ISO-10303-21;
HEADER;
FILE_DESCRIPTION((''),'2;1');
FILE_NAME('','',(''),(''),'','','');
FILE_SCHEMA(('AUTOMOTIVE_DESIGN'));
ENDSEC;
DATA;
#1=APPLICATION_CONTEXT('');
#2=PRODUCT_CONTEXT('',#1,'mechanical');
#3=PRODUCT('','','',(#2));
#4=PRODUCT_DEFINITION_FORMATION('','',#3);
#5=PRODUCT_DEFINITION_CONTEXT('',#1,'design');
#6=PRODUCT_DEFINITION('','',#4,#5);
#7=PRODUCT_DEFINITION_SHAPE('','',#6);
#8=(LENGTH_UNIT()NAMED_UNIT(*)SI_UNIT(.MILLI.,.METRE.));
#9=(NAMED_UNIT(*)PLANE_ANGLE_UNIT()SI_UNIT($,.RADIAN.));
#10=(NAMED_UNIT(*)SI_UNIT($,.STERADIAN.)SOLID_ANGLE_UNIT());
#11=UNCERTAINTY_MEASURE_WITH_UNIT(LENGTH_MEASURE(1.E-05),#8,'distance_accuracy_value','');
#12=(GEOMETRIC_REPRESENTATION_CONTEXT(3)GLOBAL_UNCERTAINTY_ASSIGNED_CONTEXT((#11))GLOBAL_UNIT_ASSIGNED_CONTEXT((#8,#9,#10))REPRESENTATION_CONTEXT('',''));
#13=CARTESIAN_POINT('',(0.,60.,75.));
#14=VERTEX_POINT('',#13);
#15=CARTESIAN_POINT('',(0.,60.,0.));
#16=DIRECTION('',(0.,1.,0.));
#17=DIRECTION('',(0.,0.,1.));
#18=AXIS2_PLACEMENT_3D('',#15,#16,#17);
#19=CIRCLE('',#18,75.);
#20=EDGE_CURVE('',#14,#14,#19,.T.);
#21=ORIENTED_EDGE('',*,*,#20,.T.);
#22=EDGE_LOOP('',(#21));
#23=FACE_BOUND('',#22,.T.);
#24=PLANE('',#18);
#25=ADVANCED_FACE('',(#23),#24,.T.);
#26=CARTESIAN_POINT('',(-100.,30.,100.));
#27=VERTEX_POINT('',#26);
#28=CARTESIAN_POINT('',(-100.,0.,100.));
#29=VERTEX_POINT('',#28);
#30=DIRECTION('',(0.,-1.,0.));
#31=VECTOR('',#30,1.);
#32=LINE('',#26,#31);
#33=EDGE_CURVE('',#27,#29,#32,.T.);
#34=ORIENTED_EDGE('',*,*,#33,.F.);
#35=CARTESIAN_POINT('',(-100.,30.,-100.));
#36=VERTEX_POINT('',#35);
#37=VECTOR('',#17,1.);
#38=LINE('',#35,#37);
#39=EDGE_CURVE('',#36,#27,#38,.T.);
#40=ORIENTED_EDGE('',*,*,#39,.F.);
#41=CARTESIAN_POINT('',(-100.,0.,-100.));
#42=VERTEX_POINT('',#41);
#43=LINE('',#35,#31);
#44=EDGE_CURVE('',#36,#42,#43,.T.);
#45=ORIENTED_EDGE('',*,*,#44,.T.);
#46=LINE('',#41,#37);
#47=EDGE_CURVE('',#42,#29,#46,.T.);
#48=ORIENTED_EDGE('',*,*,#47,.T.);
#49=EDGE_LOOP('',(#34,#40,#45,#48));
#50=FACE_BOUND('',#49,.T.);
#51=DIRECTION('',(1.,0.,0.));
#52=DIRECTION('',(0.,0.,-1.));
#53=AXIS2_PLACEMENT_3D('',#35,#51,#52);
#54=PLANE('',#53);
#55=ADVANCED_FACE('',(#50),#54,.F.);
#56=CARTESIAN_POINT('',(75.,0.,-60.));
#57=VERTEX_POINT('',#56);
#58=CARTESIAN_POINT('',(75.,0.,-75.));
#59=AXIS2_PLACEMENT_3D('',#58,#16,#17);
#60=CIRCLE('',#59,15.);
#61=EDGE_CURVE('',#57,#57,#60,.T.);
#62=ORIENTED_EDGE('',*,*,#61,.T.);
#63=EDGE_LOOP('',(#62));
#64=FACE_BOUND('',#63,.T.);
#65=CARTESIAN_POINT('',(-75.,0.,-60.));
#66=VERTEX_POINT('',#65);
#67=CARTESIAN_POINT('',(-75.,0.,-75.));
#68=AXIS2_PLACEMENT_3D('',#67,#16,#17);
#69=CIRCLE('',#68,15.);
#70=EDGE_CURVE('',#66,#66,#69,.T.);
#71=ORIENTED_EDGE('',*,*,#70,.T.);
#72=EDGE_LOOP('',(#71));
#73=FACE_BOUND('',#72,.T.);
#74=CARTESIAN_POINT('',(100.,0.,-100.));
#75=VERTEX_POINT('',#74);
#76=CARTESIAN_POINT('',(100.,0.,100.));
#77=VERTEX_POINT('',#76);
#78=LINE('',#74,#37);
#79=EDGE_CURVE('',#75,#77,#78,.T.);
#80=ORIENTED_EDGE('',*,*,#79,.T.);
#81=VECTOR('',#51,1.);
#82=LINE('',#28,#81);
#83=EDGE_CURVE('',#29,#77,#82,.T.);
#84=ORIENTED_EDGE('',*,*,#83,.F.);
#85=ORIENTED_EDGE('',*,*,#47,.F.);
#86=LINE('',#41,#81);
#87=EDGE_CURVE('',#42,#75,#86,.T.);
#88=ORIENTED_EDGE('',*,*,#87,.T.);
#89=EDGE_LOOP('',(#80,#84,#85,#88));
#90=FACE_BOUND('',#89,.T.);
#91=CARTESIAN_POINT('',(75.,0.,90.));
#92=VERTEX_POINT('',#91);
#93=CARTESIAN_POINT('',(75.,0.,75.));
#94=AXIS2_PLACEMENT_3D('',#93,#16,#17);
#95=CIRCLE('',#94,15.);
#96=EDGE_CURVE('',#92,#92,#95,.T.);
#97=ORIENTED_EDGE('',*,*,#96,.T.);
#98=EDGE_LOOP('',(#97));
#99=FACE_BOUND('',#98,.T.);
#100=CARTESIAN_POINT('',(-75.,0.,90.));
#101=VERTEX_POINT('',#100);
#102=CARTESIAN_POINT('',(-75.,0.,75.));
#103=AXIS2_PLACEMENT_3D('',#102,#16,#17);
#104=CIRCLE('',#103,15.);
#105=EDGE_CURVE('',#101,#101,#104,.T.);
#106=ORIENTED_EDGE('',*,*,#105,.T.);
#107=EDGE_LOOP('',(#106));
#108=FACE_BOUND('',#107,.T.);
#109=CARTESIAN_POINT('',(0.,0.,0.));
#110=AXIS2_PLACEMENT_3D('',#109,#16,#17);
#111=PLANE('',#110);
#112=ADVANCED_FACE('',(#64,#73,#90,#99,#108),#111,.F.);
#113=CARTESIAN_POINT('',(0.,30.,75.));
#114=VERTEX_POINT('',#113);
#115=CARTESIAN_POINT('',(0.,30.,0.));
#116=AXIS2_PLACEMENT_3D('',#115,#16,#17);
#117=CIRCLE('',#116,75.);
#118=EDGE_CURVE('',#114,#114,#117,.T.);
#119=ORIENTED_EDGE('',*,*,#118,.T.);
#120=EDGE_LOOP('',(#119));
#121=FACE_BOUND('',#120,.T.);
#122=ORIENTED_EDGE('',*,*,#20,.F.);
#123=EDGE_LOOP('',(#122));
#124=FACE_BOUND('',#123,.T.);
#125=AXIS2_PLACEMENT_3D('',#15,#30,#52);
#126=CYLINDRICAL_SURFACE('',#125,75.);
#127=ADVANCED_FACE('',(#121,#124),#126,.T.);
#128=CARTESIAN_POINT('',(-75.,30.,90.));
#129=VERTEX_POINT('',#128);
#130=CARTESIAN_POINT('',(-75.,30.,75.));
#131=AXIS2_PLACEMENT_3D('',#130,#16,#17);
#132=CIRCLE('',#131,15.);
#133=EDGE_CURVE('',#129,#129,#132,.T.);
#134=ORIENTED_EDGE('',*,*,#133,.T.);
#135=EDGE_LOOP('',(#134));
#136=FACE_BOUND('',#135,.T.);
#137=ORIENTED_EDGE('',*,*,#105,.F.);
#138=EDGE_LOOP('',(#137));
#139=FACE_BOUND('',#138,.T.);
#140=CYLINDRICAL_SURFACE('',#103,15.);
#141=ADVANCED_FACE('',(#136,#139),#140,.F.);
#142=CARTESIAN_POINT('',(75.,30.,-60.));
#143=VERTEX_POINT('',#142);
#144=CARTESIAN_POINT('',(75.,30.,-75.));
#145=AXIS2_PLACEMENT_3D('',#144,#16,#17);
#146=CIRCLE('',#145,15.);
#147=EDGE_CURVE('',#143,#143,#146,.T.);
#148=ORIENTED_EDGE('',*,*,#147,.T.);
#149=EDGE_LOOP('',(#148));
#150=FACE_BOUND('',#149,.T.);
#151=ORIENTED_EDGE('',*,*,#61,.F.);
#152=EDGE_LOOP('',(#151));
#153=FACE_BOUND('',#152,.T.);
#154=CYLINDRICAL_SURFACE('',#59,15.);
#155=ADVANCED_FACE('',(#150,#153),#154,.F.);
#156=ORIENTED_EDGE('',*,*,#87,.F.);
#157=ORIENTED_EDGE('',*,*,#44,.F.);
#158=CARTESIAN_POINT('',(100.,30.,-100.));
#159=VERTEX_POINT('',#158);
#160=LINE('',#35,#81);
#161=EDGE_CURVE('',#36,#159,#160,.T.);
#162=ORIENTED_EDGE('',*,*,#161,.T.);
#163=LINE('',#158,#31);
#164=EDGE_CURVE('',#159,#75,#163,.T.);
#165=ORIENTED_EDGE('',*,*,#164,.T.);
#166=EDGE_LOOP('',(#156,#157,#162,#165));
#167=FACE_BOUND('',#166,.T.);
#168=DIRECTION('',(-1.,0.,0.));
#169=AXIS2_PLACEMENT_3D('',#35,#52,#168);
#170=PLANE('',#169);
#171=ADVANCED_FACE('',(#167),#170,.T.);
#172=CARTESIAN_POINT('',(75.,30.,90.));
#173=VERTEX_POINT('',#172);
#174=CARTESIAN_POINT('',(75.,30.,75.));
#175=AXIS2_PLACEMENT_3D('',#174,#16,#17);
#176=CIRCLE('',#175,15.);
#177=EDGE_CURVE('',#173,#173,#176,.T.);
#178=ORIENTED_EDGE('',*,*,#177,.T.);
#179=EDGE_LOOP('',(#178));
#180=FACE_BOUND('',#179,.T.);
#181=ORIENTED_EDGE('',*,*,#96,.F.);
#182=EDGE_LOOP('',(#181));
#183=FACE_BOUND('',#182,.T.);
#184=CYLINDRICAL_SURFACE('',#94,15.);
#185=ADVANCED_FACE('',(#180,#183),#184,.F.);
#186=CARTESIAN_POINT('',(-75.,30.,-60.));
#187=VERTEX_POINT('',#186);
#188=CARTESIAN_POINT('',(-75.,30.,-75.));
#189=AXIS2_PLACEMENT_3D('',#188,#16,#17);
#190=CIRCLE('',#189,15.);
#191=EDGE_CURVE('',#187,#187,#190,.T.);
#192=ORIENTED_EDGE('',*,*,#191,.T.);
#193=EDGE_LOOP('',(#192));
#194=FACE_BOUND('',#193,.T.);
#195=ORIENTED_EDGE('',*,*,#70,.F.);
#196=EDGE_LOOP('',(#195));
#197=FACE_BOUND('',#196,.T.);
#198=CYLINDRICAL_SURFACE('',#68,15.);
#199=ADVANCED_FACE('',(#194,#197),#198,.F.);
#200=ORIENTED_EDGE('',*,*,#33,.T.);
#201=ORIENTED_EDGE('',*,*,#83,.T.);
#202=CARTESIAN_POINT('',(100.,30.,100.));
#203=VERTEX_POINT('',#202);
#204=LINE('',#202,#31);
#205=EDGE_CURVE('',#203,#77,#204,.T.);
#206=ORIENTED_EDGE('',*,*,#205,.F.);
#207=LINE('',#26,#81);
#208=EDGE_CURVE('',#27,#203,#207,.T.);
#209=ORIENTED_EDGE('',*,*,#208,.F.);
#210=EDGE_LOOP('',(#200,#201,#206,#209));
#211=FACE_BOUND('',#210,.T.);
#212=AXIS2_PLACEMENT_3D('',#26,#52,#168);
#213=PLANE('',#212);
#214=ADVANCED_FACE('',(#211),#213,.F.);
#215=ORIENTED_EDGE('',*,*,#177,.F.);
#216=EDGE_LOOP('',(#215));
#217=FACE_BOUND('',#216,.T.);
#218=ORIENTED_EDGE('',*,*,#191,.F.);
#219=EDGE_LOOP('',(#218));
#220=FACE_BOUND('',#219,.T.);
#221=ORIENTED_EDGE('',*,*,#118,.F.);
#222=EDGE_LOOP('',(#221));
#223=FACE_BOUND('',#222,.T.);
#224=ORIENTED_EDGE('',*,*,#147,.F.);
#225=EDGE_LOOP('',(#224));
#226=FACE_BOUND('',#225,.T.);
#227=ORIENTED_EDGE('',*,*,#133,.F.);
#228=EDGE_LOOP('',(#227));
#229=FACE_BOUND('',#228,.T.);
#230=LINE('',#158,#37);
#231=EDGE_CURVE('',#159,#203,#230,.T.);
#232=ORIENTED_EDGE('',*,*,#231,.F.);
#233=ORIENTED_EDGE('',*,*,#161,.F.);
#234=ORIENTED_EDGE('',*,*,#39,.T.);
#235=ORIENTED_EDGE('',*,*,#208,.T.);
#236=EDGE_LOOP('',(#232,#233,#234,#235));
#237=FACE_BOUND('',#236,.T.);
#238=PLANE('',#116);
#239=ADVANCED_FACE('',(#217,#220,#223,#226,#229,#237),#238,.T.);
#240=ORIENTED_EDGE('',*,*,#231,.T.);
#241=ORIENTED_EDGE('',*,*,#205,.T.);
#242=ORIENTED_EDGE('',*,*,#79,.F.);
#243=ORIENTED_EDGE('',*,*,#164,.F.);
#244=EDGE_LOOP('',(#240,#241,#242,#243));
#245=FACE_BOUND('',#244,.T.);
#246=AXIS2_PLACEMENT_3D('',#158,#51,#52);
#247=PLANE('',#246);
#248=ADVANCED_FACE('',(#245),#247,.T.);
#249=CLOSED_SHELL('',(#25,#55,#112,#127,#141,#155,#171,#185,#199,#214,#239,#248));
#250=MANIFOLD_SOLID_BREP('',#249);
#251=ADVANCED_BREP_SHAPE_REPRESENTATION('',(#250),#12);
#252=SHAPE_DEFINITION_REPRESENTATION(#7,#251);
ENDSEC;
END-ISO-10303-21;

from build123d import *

# Parameters (mm, degrees)
SKETCH1_W           = 200
SKETCH1_H           = 200
BOSS_EXTRUDE1_DEPTH = 30
SKETCH3_R           = 75
BOSS_EXTRUDE2_DEPTH = 30
SKETCH4_R           = 15
CUT_EXTRUDE1_DEPTH  = 30


with BuildPart() as part:
    # Sketch1 → Boss-Extrude1 (new body)
    with BuildSketch(Plane(origin=(0, 0, 0), x_dir=(1, 0, 0), z_dir=(0, 1, 0))):
        Rectangle(SKETCH1_W, SKETCH1_H)
    extrude(amount=BOSS_EXTRUDE1_DEPTH)

    # Sketch3 → Boss-Extrude2 (add)
    with BuildSketch(Plane(origin=(0, 30, 0), x_dir=(1, 0, 0), z_dir=(0, 1, 0))):
        Circle(SKETCH3_R)
    extrude(amount=BOSS_EXTRUDE2_DEPTH)

    # Sketch4 → Cut-Extrude1 (cut)
    with BuildSketch(Plane(origin=(0, 30, 0), x_dir=(1, 0, 0), z_dir=(0, 1, 0))):
        with Locations((-75, 75)):
            Circle(SKETCH4_R)
        with Locations((-75, -75)):
            Circle(SKETCH4_R)
        with Locations((75, 75)):
            Circle(SKETCH4_R)
        with Locations((75, -75)):
            Circle(SKETCH4_R)
    extrude(amount=-CUT_EXTRUDE1_DEPTH, mode=Mode.SUBTRACT)


solid = part.part
